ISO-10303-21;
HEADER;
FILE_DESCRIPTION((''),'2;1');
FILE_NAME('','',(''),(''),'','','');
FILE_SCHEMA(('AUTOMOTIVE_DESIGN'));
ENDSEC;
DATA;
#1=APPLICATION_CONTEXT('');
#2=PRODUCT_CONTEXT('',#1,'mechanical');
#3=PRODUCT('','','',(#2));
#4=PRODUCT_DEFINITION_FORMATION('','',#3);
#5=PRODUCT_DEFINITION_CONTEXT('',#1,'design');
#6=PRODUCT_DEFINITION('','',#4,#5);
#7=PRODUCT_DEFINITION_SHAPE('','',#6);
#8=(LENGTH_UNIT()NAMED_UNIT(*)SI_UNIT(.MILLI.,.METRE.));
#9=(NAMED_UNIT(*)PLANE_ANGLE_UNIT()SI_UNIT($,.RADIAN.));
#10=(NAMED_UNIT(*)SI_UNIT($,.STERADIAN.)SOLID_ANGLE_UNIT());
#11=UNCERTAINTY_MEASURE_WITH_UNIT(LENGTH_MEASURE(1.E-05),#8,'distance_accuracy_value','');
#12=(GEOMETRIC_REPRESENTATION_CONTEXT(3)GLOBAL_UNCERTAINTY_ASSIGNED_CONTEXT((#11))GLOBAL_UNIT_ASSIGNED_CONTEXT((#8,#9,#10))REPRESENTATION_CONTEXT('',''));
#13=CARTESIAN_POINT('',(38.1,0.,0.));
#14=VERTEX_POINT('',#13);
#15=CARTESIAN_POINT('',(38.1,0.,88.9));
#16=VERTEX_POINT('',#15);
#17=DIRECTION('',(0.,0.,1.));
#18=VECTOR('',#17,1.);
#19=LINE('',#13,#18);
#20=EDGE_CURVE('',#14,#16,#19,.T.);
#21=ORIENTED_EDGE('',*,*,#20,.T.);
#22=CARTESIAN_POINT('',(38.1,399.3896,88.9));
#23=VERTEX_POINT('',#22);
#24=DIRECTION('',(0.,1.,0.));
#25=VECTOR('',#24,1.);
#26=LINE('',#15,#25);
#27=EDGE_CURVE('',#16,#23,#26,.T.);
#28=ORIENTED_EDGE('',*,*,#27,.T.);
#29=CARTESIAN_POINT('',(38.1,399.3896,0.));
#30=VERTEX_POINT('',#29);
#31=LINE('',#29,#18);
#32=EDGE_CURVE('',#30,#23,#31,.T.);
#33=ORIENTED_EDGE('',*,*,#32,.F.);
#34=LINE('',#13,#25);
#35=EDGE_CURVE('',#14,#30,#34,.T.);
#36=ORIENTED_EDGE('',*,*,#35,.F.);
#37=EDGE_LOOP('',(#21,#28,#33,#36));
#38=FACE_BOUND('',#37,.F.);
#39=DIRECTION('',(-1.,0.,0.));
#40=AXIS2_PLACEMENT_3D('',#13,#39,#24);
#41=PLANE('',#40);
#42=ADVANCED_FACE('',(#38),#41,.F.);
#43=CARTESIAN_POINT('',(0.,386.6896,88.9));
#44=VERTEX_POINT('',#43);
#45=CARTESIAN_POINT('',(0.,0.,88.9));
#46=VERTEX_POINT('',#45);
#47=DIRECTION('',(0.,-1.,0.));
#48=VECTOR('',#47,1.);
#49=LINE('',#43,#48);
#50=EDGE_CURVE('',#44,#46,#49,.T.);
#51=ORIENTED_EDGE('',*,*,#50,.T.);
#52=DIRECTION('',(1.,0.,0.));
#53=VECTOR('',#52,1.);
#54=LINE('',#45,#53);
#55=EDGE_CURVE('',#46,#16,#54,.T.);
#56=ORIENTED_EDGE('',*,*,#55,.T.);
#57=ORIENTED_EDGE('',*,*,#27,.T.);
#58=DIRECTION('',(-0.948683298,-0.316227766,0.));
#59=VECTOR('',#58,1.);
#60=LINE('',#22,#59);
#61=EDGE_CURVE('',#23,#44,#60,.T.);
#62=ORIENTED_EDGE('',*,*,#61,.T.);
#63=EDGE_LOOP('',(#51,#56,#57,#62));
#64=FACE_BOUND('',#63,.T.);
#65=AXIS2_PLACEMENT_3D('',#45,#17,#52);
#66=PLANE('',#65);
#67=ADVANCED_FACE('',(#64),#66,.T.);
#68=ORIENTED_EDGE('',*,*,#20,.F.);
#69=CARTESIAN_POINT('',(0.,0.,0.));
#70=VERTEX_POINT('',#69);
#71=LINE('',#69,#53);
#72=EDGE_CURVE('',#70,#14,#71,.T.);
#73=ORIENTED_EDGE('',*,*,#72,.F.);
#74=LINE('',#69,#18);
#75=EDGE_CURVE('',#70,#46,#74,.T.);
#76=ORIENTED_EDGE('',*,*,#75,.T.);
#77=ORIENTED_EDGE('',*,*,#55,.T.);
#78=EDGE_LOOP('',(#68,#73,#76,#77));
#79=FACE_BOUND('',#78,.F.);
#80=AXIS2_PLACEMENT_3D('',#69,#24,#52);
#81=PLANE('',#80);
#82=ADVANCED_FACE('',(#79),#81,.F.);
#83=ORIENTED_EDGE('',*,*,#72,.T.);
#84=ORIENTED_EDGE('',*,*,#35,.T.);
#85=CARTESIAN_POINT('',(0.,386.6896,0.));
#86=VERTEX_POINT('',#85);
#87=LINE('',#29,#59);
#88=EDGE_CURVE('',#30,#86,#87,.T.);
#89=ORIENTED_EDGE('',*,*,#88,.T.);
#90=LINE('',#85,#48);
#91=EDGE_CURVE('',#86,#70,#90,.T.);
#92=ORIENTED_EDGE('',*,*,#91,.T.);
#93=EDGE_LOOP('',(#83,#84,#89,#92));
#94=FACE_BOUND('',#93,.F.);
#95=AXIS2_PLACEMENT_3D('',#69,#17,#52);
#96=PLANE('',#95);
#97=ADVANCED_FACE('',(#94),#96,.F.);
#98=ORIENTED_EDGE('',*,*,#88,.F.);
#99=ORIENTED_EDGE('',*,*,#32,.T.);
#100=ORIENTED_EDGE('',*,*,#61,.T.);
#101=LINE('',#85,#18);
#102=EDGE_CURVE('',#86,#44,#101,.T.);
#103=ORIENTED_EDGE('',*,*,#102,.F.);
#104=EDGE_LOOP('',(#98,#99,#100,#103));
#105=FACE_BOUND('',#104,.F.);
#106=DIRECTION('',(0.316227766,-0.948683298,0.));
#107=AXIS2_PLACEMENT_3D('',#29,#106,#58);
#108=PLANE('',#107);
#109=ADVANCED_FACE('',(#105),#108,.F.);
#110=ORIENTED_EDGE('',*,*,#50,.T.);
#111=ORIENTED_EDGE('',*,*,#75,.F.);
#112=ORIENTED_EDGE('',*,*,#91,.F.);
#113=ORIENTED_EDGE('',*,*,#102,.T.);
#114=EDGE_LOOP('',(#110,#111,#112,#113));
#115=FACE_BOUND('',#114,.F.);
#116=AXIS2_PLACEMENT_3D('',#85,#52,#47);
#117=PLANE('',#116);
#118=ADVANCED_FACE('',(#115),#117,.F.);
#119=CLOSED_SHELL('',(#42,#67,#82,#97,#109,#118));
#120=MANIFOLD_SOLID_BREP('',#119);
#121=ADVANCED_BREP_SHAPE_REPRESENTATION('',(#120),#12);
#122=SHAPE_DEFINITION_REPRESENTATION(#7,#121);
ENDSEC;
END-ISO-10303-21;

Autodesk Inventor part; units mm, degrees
ref_plane "YZ Plane" through (0, 0, 0) normal (1, 0, 0) x (0, 1, 0)
ref_plane "XZ Plane" through (0, 0, 0) normal (0, 1, 0) x (-1, 0, 0)
ref_plane "XY Plane" through (0, 0, 0) normal (0, 0, 1) x (1, 0, 0)
sketch "Sketch1" plane through (0, 0, 0) normal (0, 0, 1) x (1, 0, 0)
  line L0 (0, 0) -> (38.1, 0)
  line L1 (38.1, 0) -> (38.1, 399.3896)
  line L2 (38.1, 399.3896) -> (0, 386.6896)
  line L3 (0, 386.6896) -> (0, 0)
  dimension "d2" = 38.1
  dimension "d5" = 386.6896
  dimension "d6" = 399.3896
extrude "Extrusion1" add sketch "Sketch1" along normal blind 88.9
properties part number "Stud_Between_Top_Plate_And_Rafter_3" material "Wood (Birch)"
